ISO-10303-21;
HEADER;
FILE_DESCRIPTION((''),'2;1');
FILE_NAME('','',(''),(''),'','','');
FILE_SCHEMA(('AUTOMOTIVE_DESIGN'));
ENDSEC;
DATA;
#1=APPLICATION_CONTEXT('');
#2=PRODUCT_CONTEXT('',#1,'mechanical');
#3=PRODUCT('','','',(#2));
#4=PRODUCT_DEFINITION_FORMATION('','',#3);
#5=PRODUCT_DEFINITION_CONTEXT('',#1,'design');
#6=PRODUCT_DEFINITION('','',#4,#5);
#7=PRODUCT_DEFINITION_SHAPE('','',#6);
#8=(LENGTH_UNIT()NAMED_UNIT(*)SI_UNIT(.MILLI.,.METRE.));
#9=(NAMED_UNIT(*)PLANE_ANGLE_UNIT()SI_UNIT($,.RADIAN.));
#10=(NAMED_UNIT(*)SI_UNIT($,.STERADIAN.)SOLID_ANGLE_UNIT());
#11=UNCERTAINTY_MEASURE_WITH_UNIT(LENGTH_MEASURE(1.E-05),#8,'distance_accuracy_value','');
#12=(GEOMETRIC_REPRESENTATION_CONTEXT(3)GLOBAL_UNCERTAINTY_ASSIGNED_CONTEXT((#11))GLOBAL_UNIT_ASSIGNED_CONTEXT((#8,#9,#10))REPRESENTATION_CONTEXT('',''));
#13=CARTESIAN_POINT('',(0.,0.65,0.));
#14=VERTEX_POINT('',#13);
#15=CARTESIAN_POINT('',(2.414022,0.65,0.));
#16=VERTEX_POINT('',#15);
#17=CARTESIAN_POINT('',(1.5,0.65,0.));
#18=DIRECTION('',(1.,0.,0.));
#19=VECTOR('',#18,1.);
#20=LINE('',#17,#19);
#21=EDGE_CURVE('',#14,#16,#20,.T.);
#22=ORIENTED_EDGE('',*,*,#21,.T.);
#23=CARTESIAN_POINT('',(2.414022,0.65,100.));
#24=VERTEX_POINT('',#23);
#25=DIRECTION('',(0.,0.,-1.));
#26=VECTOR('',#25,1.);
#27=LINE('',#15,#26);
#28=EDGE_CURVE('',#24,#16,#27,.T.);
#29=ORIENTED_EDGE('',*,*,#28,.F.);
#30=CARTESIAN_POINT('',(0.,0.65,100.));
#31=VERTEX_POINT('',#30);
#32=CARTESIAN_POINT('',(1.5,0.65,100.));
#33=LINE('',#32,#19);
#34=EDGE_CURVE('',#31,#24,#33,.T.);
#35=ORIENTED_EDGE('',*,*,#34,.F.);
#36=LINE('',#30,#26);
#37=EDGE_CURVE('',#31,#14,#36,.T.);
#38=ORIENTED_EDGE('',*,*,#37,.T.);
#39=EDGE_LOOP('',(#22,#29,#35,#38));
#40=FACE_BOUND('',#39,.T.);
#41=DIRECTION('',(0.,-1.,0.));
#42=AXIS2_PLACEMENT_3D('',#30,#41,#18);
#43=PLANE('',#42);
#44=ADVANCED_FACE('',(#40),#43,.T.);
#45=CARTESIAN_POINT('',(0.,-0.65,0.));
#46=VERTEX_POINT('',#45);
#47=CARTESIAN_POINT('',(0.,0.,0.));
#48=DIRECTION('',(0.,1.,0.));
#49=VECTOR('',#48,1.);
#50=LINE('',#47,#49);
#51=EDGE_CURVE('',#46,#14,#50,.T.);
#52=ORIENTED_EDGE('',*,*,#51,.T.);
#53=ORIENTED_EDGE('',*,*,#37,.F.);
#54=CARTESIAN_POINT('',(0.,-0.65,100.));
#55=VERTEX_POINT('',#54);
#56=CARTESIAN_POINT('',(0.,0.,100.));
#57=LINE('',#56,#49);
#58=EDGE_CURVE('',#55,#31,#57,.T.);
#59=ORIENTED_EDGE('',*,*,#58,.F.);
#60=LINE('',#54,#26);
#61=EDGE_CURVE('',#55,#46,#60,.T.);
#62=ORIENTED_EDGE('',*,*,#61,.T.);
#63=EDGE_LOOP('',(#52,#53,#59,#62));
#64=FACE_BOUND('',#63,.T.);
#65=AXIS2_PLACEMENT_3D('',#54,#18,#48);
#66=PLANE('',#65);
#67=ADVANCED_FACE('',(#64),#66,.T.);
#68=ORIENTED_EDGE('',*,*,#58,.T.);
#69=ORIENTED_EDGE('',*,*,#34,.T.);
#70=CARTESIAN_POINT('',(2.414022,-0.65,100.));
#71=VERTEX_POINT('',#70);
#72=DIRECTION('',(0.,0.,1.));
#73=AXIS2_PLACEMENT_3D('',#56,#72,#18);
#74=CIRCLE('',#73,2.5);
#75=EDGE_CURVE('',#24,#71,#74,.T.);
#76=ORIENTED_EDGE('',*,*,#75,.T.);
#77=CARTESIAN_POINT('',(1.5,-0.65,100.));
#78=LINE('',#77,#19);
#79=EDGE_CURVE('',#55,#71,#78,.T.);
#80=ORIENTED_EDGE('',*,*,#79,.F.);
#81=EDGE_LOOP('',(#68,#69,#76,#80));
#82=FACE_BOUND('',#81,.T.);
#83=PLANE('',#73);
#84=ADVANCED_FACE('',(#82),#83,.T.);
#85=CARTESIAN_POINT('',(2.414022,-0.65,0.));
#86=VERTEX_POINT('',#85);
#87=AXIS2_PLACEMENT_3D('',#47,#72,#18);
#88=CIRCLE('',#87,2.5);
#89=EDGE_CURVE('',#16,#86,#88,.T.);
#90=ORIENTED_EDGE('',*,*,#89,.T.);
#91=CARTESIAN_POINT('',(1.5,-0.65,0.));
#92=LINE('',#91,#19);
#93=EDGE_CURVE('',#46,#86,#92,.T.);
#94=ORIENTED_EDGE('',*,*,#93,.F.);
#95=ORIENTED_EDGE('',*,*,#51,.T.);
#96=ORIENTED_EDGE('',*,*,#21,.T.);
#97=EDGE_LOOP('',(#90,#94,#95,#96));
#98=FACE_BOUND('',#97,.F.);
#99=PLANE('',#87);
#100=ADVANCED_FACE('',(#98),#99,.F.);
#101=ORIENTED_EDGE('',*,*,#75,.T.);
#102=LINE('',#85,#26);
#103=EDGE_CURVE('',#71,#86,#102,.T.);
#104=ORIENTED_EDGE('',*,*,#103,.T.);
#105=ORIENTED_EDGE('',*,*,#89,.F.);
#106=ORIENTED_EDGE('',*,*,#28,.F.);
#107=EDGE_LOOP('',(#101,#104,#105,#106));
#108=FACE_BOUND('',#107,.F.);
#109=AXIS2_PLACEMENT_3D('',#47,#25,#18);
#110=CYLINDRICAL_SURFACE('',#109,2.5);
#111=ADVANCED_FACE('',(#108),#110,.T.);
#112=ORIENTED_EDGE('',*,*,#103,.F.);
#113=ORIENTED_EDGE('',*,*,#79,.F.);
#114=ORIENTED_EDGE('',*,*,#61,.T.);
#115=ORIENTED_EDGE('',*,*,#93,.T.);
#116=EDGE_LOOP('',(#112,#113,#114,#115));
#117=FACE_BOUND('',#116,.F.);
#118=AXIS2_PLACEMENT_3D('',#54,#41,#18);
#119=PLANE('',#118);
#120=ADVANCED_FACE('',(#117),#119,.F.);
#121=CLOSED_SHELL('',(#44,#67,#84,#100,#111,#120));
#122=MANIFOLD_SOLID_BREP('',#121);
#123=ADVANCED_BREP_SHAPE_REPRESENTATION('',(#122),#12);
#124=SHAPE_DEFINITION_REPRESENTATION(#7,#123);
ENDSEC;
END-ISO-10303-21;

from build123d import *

# Parameters (mm, degrees)
SKETCH_R     = 2.5
PAD_DEPTH    = 100
SKETCH001_W  = 3
SKETCH001_H  = 1.3
POCKET_DEPTH = 100


with BuildPart() as part:
    # Sketch → Pad (new body)
    with BuildSketch(Plane.XY):
        Circle(SKETCH_R)
    extrude(amount=PAD_DEPTH)

    # Sketch001 (on Face3 of Pad) → Pocket (cut)
    with BuildSketch(Plane.XY.offset(100)):
        with Locations((1.5, 0)):
            Rectangle(SKETCH001_W, SKETCH001_H)
    extrude(amount=-POCKET_DEPTH, mode=Mode.SUBTRACT)


solid = part.part
